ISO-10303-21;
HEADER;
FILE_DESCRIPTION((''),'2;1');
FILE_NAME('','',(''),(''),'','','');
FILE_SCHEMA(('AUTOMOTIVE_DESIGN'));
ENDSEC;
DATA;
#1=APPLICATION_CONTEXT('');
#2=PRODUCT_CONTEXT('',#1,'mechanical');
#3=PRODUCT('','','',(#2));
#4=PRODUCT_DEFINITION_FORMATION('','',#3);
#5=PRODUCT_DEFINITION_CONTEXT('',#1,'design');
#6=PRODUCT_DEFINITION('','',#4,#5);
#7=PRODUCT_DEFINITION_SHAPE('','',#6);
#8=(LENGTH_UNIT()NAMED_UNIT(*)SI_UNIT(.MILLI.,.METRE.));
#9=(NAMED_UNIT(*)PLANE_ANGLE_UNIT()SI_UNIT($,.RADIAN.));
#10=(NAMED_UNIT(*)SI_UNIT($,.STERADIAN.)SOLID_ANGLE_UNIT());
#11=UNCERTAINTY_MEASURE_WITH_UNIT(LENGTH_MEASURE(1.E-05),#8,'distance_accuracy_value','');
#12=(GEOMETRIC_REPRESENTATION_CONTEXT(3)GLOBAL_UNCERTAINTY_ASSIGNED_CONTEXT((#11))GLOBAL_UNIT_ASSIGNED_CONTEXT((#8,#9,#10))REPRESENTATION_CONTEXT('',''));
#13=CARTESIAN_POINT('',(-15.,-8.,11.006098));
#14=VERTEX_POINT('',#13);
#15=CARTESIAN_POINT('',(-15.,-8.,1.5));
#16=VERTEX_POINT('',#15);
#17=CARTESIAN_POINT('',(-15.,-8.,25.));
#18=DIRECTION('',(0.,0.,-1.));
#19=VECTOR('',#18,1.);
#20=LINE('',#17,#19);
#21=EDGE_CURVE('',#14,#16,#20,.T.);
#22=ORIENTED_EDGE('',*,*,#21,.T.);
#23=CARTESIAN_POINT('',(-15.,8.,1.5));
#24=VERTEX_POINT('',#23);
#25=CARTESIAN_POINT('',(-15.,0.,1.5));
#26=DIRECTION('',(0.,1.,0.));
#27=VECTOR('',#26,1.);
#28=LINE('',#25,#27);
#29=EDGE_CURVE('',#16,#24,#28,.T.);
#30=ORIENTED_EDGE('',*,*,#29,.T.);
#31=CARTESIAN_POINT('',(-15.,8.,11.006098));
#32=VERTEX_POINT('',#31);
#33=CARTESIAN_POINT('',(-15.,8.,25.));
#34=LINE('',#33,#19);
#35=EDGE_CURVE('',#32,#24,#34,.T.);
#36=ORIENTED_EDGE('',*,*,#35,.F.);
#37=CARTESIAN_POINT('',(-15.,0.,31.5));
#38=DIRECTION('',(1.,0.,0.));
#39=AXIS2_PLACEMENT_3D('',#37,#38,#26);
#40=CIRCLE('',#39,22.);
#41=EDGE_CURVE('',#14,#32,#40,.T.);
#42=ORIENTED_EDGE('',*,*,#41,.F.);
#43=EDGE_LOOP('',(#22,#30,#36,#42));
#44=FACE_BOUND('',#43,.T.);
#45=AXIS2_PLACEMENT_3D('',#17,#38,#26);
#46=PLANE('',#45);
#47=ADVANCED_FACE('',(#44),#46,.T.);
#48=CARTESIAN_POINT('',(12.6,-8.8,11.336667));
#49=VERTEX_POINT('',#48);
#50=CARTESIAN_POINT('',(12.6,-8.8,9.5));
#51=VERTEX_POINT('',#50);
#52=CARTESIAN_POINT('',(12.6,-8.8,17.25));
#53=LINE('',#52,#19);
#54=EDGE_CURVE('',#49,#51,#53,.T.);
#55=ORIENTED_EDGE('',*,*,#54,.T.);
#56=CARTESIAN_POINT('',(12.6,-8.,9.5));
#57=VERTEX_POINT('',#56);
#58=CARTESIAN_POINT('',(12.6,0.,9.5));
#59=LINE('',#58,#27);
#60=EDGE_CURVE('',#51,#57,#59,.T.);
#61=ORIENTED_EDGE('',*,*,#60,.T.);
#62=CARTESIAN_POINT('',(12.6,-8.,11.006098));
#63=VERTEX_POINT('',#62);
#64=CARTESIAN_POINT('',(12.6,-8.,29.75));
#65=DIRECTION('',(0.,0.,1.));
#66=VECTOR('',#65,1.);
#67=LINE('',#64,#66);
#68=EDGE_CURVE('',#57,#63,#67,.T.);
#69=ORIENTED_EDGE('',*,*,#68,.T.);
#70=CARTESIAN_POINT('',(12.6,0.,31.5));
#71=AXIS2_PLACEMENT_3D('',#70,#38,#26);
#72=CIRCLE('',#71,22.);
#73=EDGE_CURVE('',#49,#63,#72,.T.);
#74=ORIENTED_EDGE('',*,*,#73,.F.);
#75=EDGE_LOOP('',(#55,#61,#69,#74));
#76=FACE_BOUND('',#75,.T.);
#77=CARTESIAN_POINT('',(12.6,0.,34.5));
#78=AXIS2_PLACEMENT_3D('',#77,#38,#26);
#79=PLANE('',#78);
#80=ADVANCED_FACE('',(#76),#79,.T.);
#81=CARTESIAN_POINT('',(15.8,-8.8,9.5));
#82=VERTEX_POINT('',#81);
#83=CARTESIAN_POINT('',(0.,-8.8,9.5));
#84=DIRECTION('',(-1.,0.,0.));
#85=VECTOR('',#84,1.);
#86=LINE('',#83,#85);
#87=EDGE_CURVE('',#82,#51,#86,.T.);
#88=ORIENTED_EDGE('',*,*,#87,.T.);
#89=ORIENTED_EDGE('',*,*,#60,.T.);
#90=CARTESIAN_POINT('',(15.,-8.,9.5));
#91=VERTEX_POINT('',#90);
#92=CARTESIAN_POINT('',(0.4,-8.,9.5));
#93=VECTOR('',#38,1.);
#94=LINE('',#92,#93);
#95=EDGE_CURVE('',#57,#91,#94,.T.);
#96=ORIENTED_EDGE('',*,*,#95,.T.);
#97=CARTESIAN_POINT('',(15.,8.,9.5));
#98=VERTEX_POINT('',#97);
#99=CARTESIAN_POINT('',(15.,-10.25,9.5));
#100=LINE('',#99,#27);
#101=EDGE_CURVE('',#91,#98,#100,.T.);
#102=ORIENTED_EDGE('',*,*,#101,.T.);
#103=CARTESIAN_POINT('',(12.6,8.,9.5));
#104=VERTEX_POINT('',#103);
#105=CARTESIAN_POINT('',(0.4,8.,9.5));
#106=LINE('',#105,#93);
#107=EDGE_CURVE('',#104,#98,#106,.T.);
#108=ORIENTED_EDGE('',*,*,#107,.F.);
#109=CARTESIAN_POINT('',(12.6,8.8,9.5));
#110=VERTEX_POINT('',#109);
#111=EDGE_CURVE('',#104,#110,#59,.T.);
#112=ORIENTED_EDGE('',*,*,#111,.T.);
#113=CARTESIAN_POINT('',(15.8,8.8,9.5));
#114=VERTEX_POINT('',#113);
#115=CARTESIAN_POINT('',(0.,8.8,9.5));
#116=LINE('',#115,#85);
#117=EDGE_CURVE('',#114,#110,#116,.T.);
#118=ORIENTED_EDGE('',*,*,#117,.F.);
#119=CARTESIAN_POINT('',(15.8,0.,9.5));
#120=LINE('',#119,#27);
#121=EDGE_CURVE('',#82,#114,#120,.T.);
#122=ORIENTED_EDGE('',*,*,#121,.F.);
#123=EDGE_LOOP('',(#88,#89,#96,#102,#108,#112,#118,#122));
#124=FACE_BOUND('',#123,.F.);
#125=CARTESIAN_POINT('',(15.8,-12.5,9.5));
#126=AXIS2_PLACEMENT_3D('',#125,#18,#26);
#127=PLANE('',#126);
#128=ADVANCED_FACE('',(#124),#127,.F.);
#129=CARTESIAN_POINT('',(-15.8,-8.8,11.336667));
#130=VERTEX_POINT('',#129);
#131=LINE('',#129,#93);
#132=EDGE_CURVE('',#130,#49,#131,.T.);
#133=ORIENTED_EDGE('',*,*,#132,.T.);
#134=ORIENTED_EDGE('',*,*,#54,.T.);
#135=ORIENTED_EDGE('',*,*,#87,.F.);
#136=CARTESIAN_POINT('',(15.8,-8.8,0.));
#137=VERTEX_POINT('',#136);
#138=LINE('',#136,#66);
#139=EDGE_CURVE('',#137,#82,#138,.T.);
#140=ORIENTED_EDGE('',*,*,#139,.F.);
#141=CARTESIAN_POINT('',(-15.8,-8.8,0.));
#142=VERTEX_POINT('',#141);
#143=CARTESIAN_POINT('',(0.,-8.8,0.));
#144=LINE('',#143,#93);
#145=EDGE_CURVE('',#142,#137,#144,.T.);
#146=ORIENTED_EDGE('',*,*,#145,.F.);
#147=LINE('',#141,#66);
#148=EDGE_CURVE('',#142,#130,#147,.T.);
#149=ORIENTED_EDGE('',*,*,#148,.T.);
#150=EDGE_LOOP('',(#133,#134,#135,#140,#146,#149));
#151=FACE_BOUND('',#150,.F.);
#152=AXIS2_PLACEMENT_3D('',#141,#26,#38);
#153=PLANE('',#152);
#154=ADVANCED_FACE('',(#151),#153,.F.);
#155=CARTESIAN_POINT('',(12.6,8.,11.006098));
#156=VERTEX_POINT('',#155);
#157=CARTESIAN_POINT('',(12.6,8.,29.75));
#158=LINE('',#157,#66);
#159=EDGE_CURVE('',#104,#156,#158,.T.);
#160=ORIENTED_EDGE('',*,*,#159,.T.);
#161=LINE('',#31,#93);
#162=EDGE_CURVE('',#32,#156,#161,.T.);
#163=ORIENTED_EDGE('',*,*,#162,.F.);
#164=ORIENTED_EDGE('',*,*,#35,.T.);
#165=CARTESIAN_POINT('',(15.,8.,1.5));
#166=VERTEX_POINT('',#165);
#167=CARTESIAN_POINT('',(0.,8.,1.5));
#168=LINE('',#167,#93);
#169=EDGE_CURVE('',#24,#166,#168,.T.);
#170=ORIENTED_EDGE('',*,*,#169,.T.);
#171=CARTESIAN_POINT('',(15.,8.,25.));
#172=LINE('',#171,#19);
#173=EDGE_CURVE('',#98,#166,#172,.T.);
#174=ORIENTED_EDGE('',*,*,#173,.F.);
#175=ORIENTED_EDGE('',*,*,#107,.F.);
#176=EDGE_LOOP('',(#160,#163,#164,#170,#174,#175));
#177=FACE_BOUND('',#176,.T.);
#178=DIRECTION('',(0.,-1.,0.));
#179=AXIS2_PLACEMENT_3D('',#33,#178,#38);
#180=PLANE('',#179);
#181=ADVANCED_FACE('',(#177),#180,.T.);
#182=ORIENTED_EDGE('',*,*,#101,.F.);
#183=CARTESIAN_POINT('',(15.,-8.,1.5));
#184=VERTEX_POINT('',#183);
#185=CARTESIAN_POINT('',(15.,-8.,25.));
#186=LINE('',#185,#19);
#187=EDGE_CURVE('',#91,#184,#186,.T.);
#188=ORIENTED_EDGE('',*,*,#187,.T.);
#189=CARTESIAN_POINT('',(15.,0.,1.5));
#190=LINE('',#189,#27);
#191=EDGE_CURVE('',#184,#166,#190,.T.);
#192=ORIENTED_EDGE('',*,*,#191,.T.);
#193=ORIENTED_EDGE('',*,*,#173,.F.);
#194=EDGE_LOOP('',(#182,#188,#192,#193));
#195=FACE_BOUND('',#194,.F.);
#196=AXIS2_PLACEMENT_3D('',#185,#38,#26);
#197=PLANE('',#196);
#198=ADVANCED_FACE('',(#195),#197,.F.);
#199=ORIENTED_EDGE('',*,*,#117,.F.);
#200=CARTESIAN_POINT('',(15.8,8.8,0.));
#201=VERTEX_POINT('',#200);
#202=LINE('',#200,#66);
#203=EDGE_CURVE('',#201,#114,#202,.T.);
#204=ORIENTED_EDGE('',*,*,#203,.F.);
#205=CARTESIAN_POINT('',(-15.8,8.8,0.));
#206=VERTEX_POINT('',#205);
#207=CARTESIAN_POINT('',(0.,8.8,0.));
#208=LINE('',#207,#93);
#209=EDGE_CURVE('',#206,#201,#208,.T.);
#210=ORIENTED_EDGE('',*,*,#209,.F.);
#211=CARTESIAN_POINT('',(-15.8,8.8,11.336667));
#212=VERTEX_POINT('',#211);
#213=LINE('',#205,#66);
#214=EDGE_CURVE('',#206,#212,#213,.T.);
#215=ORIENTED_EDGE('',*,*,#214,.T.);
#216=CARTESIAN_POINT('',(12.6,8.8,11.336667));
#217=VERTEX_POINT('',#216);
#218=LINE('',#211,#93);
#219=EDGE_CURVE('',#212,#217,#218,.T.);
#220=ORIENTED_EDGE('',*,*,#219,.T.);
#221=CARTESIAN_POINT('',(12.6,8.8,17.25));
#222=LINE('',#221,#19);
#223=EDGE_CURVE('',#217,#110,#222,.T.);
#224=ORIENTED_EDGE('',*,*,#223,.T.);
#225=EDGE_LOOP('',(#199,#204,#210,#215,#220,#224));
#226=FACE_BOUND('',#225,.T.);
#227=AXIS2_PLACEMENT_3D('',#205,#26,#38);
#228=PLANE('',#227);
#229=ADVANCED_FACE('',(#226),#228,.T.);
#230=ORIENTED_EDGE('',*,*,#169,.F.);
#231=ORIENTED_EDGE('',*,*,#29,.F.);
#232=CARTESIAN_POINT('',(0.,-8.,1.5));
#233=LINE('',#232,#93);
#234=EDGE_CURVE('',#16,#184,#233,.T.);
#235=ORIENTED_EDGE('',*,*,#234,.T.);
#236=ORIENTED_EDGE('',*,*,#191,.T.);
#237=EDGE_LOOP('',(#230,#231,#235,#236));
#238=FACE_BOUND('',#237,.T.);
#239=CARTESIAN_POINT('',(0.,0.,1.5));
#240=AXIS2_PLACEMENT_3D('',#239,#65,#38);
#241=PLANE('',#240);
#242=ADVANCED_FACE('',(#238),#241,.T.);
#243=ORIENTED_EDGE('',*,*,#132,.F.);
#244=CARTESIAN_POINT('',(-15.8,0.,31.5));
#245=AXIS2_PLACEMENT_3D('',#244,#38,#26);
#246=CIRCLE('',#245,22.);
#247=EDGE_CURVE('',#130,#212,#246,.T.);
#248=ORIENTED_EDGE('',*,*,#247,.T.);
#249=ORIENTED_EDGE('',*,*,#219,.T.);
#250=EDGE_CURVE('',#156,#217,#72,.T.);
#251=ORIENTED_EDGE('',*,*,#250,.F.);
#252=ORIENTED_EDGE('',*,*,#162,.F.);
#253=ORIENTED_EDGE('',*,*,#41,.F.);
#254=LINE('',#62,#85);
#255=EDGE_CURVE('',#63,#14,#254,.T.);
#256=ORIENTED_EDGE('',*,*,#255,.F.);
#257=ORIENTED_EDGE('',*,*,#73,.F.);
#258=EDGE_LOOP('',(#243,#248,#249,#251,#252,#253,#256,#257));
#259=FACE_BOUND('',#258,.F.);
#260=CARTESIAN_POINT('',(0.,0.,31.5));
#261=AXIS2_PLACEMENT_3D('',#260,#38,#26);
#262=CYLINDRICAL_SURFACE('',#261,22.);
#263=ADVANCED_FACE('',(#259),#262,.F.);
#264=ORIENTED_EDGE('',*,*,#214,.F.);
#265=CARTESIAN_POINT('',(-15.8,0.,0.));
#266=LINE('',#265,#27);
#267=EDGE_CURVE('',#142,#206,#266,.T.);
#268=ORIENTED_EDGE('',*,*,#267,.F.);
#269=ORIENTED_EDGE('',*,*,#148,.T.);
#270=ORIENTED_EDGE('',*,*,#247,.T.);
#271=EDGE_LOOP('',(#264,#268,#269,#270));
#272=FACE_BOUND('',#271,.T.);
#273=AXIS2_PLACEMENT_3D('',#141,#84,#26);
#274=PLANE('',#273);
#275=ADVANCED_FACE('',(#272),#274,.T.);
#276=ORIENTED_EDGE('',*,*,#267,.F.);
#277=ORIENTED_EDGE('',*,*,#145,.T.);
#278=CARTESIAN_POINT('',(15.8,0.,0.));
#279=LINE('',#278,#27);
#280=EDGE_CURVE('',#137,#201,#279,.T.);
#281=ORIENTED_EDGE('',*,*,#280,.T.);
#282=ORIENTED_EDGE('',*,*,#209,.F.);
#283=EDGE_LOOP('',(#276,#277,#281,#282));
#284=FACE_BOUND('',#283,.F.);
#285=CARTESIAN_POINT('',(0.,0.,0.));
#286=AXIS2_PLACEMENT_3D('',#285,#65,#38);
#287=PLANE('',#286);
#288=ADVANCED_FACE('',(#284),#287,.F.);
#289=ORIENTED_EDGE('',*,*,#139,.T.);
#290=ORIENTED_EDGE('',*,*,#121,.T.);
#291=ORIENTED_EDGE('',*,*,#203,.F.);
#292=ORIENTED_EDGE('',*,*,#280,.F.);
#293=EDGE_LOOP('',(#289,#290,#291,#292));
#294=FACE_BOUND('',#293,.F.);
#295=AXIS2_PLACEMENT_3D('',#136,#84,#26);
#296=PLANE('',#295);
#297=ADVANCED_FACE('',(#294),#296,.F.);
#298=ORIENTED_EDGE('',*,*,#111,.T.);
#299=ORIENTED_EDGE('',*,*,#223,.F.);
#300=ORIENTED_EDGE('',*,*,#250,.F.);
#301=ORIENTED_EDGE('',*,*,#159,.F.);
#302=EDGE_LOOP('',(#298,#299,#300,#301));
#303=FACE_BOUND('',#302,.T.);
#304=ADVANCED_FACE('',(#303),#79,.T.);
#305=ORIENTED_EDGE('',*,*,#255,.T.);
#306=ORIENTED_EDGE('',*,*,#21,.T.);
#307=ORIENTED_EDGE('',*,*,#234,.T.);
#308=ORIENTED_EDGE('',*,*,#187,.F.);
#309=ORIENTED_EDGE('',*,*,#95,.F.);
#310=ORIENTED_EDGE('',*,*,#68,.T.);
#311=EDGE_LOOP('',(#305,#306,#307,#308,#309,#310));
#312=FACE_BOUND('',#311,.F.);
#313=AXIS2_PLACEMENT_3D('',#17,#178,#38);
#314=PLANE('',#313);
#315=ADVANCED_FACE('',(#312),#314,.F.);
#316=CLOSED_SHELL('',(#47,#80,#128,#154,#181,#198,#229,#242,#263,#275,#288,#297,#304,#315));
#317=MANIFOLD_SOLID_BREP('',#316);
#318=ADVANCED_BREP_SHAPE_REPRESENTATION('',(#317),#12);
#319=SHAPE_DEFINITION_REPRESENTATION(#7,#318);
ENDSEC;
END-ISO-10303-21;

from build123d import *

# Parameters (mm, degrees)
F0_W          = 31.6
F0_H          = 17.6
F1_DEPTH      = 25
F2_W          = 30
F2_H          = 16
F3_DEPTH      = 23.5
F4_R          = 22
F5_DEPTH      = 12.6
F5_DEPTH_BACK = 15.801
F6_W          = 25
F6_H          = 50
F7_DEPTH      = 3.2


with BuildPart() as f1:
    # F0 (on Top) → F1 (new body)
    with BuildSketch(Plane.XY):
        Rectangle(F0_W, F0_H)
    extrude(amount=F1_DEPTH)

    # F2 (on face) → F3 (cut)
    with BuildSketch(Plane.XY.offset(25)):
        Rectangle(F2_W, F2_H)
    extrude(amount=-F3_DEPTH, mode=Mode.SUBTRACT)

    # F4 (on Right) → F5 (cut, two sides)
    with BuildSketch(Plane.YZ) as f5_sk:
        with Locations((0, 31.5)):
            Circle(F4_R)
    extrude(amount=F5_DEPTH, mode=Mode.SUBTRACT)
    extrude(f5_sk.sketch, amount=-F5_DEPTH_BACK, mode=Mode.SUBTRACT)

    # F6 (on face) → F7 (cut)
    with BuildSketch(Plane.YZ.offset(15.8)):
        with Locations((0, 34.5)):
            Rectangle(F6_W, F6_H)
    extrude(amount=-F7_DEPTH, mode=Mode.SUBTRACT)


solid = f1.part
